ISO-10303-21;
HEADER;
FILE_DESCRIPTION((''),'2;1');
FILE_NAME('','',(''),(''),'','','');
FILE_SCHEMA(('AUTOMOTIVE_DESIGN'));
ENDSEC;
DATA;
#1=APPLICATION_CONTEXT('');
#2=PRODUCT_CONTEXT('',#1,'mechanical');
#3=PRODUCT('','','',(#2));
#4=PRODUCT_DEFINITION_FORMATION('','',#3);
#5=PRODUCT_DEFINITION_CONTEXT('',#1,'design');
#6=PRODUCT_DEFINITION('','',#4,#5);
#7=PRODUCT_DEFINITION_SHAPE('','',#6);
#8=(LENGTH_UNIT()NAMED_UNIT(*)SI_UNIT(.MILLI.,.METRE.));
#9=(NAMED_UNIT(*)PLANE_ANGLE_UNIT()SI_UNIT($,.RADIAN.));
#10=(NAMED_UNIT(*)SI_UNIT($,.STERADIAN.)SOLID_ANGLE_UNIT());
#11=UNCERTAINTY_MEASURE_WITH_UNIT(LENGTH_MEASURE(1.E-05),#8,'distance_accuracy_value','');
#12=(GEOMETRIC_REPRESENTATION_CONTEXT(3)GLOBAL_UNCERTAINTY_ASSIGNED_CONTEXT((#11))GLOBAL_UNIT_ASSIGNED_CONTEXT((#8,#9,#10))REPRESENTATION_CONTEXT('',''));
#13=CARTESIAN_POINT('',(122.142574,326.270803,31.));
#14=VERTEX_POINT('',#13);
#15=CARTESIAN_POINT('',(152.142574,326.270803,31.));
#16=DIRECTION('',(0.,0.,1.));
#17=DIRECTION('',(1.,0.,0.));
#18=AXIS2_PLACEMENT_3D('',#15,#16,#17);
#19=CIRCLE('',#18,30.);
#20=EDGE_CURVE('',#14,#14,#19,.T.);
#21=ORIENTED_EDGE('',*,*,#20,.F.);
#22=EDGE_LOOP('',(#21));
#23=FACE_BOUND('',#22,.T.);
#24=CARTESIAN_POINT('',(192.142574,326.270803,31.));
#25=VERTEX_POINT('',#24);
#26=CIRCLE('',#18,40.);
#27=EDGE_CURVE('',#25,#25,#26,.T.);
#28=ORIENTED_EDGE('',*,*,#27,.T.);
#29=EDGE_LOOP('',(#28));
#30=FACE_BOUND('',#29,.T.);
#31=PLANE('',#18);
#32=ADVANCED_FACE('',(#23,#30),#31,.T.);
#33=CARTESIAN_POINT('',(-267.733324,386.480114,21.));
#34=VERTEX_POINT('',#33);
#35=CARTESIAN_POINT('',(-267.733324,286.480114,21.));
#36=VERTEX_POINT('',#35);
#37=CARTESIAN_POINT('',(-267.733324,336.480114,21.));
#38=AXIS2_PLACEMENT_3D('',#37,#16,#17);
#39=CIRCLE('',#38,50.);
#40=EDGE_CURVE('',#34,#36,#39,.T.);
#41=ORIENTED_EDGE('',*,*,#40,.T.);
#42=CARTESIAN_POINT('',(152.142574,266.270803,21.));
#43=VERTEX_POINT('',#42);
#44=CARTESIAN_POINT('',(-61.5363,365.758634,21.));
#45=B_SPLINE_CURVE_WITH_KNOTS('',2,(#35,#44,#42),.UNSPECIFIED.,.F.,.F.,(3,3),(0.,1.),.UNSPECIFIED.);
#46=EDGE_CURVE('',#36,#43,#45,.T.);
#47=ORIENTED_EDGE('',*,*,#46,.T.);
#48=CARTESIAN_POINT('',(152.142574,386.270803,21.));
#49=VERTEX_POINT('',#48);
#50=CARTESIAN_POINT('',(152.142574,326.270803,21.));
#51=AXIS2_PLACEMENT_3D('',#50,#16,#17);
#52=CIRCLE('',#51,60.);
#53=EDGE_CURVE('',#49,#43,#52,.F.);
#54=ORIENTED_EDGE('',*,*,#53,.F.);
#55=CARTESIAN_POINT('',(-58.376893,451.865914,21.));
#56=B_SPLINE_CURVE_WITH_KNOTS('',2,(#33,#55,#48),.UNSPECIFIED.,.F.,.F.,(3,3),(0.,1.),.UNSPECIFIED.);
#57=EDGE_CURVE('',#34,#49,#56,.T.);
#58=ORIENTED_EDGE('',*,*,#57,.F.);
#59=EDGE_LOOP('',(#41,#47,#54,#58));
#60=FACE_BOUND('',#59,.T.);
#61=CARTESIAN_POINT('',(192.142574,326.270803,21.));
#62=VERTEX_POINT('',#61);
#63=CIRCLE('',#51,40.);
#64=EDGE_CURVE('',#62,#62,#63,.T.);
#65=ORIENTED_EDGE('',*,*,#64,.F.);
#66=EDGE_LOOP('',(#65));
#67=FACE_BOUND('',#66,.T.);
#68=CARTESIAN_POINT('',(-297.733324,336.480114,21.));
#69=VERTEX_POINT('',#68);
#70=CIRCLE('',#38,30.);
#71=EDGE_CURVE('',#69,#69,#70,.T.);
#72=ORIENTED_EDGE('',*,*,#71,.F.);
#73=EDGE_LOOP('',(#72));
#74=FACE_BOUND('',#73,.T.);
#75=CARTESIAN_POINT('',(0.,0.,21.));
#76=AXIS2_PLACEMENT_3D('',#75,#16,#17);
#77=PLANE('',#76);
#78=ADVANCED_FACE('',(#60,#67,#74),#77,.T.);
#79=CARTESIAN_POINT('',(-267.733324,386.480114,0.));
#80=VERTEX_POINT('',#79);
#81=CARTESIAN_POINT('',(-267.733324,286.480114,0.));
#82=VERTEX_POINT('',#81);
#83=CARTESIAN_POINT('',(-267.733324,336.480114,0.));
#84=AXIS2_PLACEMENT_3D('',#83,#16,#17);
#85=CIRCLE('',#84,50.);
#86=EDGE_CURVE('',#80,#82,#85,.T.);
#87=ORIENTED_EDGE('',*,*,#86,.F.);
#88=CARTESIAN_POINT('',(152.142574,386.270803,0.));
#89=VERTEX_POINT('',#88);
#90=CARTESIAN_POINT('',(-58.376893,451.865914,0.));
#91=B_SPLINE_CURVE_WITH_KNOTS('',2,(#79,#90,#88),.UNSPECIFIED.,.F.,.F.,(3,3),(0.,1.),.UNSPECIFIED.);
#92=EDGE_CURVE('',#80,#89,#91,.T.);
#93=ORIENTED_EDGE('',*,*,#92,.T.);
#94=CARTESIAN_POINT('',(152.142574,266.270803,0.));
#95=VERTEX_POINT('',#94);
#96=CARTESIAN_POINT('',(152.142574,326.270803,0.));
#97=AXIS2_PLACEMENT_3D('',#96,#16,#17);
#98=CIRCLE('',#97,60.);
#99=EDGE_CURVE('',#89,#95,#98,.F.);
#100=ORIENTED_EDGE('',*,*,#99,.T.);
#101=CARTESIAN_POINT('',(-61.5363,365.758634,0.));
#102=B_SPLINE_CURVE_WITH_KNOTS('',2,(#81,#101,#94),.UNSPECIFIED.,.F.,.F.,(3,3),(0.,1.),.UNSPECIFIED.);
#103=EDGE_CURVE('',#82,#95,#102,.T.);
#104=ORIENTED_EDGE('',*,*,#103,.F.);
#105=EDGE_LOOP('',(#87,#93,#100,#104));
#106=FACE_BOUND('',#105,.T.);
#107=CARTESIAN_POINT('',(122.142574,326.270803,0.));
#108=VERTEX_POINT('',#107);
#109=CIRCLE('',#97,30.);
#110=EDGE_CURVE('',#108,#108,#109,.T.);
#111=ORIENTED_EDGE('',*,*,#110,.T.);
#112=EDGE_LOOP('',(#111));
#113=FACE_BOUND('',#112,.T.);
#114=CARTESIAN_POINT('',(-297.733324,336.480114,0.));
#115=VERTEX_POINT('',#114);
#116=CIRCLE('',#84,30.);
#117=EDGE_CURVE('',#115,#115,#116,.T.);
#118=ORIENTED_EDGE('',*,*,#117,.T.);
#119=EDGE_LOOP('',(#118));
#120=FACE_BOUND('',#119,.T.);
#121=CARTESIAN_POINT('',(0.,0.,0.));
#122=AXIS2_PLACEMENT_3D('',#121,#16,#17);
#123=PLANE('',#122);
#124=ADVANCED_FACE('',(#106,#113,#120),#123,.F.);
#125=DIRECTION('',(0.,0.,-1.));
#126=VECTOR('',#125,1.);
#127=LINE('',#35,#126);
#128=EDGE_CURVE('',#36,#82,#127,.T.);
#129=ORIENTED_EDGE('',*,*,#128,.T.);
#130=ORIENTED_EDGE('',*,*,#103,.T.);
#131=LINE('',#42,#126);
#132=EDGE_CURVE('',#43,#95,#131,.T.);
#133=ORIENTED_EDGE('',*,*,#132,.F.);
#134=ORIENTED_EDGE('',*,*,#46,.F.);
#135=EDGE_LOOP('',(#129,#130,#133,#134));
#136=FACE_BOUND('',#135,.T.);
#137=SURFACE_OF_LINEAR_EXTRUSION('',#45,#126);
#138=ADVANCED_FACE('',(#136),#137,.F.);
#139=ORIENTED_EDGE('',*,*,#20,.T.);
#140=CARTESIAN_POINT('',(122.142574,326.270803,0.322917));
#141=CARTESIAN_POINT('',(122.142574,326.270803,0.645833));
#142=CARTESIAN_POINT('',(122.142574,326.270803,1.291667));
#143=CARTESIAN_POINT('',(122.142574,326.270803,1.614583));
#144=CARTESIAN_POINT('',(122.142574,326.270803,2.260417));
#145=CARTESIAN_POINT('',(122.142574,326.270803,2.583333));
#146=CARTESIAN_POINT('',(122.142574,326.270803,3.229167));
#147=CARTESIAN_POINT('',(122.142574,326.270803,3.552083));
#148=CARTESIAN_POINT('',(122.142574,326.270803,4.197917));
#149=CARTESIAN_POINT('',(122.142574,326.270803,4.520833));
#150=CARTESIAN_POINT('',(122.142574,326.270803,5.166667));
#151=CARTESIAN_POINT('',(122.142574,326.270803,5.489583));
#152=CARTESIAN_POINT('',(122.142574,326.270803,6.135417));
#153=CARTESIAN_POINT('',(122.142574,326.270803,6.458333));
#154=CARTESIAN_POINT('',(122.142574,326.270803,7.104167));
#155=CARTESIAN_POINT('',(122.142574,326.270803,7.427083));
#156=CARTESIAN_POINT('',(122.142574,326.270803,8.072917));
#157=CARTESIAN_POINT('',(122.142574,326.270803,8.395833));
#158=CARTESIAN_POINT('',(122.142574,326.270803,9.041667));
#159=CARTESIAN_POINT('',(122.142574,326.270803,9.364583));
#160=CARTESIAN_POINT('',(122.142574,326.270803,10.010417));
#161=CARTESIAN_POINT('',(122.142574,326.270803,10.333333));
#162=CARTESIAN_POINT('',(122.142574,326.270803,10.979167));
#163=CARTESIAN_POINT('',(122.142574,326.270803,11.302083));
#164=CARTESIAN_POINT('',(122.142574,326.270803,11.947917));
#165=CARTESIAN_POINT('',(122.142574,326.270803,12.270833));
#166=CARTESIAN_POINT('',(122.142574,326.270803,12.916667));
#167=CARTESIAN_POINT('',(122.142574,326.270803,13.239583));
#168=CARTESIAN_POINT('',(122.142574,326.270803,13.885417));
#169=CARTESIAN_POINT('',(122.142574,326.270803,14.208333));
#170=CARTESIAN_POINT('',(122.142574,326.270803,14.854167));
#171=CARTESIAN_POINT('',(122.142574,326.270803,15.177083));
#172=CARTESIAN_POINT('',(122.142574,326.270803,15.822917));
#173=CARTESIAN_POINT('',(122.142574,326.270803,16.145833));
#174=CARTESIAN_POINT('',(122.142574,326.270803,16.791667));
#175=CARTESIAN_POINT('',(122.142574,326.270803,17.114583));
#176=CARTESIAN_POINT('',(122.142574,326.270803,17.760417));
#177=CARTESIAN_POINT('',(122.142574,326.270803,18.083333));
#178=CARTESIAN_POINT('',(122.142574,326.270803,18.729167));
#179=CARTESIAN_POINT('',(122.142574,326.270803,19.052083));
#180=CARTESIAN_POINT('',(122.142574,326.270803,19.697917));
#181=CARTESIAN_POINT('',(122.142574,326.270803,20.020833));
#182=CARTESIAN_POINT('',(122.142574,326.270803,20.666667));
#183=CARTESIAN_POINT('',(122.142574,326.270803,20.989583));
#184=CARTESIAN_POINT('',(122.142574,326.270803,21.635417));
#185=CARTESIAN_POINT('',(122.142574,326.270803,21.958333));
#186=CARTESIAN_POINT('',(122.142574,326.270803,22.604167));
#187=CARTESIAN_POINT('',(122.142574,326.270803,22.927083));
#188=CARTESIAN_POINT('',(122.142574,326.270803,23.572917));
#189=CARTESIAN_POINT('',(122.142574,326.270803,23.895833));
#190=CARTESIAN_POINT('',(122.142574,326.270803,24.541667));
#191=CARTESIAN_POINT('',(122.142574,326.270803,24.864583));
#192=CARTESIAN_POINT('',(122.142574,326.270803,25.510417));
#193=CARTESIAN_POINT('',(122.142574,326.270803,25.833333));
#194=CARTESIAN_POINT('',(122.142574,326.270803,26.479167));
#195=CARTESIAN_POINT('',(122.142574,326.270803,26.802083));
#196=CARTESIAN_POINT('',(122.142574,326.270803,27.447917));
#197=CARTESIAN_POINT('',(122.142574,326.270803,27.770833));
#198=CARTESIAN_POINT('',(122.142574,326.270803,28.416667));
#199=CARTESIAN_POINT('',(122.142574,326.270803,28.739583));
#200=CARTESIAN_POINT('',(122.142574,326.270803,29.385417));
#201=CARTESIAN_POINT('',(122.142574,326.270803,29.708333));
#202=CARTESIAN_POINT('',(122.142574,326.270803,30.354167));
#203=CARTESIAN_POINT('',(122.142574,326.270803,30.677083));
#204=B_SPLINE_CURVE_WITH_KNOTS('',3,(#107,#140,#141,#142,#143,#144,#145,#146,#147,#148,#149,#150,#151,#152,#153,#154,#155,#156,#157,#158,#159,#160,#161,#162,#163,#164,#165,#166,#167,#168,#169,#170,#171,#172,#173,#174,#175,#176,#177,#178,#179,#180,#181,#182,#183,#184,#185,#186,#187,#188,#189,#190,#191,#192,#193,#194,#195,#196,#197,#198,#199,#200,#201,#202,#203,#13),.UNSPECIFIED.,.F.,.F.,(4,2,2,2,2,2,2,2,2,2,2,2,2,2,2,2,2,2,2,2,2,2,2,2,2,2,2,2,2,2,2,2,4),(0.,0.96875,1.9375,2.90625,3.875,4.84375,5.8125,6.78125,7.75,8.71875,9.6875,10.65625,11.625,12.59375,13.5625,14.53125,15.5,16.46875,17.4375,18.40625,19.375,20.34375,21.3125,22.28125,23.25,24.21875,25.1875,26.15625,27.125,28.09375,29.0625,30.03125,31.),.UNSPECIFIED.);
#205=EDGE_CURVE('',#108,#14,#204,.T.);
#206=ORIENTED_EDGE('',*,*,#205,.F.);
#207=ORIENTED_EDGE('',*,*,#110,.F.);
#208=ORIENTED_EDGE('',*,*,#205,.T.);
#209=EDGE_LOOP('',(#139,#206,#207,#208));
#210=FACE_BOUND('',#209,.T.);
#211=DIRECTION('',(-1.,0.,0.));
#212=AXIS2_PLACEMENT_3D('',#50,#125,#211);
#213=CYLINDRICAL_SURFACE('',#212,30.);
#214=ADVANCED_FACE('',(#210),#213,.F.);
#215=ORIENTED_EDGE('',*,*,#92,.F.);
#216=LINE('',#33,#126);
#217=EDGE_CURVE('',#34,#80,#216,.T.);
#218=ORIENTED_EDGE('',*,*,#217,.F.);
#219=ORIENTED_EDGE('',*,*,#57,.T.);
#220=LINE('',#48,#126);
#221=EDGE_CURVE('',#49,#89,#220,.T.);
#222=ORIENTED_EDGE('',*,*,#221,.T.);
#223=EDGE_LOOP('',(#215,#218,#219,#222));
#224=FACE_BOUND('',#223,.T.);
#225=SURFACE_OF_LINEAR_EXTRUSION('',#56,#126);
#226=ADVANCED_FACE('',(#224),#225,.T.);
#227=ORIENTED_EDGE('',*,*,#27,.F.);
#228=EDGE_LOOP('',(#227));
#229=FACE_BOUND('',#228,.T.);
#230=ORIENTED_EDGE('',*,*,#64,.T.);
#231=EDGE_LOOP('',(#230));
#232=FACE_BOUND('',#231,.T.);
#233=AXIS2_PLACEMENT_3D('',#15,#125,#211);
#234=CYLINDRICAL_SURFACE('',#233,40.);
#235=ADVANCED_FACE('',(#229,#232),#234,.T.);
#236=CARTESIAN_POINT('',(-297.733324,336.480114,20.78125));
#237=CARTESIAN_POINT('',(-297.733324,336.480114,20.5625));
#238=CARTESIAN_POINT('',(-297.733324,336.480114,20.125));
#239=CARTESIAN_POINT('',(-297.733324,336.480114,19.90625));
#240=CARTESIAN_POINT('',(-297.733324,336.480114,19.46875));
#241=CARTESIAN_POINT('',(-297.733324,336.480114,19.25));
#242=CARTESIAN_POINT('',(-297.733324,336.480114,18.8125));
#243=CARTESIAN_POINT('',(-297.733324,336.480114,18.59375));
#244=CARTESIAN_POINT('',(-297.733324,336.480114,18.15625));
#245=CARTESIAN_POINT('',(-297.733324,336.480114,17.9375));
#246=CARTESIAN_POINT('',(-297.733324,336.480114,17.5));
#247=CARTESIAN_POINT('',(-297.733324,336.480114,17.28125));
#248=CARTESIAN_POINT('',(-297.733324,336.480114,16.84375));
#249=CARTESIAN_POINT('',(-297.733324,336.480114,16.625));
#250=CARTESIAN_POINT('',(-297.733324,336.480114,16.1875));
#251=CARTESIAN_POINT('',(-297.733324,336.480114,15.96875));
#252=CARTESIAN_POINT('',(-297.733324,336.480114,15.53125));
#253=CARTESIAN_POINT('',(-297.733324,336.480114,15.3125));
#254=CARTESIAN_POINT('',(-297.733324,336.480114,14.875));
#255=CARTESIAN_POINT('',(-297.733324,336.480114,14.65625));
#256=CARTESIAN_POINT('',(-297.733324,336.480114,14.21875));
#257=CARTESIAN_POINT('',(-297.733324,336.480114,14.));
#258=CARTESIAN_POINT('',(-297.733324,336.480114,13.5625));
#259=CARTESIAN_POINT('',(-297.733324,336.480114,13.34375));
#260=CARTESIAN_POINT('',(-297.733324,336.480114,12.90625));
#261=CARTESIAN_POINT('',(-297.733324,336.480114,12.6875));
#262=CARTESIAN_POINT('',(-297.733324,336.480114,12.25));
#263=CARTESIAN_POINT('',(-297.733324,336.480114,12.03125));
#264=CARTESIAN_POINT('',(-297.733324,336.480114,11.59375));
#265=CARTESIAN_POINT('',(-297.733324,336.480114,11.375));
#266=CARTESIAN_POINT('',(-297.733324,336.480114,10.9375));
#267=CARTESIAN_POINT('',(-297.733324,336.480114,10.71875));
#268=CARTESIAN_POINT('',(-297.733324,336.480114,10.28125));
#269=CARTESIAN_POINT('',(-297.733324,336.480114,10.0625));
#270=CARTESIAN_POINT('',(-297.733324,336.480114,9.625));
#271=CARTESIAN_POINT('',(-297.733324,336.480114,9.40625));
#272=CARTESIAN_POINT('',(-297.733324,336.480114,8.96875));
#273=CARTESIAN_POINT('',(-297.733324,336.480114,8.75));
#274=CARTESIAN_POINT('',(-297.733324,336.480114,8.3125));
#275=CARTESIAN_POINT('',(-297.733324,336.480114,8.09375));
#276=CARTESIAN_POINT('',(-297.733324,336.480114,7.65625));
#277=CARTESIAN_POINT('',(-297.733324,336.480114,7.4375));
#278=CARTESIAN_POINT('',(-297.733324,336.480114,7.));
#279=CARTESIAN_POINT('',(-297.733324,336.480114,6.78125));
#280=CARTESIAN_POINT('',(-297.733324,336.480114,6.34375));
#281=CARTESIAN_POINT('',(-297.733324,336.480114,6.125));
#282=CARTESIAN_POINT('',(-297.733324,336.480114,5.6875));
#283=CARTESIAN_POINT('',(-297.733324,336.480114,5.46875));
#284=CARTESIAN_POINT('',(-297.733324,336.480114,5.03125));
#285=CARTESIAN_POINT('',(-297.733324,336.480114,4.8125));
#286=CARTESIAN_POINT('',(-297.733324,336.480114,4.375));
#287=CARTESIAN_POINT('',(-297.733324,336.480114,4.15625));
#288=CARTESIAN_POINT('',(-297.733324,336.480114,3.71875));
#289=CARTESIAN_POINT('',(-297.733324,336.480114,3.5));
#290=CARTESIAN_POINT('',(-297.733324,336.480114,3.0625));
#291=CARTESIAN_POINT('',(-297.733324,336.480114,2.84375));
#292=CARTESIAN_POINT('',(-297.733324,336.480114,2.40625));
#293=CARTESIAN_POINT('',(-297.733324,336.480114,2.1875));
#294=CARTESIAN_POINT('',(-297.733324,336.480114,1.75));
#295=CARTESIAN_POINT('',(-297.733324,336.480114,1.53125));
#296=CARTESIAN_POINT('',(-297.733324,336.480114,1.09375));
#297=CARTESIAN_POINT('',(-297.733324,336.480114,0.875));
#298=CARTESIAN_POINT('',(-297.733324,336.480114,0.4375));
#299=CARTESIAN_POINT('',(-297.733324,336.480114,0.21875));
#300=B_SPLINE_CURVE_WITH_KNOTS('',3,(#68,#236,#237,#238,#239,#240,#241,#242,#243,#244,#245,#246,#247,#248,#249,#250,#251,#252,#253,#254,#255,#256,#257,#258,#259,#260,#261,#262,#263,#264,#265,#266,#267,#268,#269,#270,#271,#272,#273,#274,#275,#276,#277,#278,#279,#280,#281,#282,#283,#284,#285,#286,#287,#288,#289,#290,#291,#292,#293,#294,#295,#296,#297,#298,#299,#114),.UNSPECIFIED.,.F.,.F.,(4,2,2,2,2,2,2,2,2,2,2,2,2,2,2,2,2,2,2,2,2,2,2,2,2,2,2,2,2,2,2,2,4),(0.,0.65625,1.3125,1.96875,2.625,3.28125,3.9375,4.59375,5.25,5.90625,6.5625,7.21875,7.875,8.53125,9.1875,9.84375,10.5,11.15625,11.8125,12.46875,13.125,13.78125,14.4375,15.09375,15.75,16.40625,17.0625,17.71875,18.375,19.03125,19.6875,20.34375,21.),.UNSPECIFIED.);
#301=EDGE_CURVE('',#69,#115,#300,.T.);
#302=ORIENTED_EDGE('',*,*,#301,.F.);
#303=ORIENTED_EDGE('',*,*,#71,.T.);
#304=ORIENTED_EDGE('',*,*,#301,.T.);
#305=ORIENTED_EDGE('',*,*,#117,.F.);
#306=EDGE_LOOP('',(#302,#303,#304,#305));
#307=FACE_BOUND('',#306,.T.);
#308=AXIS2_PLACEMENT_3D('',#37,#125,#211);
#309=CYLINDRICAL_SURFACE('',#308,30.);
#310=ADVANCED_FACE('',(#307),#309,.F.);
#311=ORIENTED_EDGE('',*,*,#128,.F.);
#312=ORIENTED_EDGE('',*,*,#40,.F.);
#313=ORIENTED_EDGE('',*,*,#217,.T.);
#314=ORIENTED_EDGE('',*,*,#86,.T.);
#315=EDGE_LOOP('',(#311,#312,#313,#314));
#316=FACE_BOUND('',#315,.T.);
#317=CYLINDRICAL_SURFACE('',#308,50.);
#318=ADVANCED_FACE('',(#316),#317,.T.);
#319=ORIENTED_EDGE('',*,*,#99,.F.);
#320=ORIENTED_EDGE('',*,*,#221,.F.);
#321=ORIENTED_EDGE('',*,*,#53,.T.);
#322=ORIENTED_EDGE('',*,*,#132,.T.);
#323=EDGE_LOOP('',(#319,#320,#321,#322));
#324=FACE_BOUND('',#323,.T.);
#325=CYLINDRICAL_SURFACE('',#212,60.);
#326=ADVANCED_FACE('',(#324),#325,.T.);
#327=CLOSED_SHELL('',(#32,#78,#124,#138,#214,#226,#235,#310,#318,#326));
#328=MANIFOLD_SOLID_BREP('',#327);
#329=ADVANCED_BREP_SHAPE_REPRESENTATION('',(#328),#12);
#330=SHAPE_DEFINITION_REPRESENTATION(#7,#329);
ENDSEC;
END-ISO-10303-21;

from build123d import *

# Parameters (mm, degrees)
BOSS_EXTRUDE1_DEPTH = 21
SKETCH2_R           = 30
CUT_EXTRUDE1_DEPTH  = 527.362693656
SKETCH4_R           = 40
SKETCH4_R_2         = 30
BOSS_EXTRUDE3_DEPTH = 10


with BuildPart() as part:
    # Sketch1 → Boss-Extrude1 (new body)
    with BuildSketch(Plane.XY):
        with BuildLine():
            add(Edge.make_bspline(
                [(-267.733324074, 386.480114093), (-58.376892778, 451.86591416), (152.142574227, 386.270803333)],
                knots=[0, 0, 0, 1, 1, 1], degree=2))
            ThreePointArc((-267.733324074, 386.480114093), (-317.733324074, 336.480114093), (-267.733324074, 286.480114093))
            add(Edge.make_bspline(
                [(-267.733324074, 286.480114093), (-61.536299878, 365.758634067), (152.142574227, 266.270803333)],
                knots=[0, 0, 0, 1, 1, 1], degree=2))
            ThreePointArc((152.142574227, 266.270803333), (212.142574227, 326.270803333), (152.142574227, 386.270803333))
        make_face()
    extrude(amount=BOSS_EXTRUDE1_DEPTH)

    # Sketch2 → Cut-Extrude1 (cut, through all)
    with BuildSketch(Plane.XY):
        with Locations((-267.733324074, 336.480114093)):
            Circle(SKETCH2_R)
        with Locations((152.142574227, 326.270803333)):
            Circle(SKETCH2_R)
    extrude(amount=CUT_EXTRUDE1_DEPTH, mode=Mode.SUBTRACT)

    # Sketch4 → Boss-Extrude3 (add)
    with BuildSketch(Plane.XY.offset(21)):
        with Locations((152.142574227, 326.270803333)):
            Circle(SKETCH4_R)
        with Locations((152.142574227, 326.270803333)):
            Circle(SKETCH4_R_2, mode=Mode.SUBTRACT)
    extrude(amount=BOSS_EXTRUDE3_DEPTH)


solid = part.part
